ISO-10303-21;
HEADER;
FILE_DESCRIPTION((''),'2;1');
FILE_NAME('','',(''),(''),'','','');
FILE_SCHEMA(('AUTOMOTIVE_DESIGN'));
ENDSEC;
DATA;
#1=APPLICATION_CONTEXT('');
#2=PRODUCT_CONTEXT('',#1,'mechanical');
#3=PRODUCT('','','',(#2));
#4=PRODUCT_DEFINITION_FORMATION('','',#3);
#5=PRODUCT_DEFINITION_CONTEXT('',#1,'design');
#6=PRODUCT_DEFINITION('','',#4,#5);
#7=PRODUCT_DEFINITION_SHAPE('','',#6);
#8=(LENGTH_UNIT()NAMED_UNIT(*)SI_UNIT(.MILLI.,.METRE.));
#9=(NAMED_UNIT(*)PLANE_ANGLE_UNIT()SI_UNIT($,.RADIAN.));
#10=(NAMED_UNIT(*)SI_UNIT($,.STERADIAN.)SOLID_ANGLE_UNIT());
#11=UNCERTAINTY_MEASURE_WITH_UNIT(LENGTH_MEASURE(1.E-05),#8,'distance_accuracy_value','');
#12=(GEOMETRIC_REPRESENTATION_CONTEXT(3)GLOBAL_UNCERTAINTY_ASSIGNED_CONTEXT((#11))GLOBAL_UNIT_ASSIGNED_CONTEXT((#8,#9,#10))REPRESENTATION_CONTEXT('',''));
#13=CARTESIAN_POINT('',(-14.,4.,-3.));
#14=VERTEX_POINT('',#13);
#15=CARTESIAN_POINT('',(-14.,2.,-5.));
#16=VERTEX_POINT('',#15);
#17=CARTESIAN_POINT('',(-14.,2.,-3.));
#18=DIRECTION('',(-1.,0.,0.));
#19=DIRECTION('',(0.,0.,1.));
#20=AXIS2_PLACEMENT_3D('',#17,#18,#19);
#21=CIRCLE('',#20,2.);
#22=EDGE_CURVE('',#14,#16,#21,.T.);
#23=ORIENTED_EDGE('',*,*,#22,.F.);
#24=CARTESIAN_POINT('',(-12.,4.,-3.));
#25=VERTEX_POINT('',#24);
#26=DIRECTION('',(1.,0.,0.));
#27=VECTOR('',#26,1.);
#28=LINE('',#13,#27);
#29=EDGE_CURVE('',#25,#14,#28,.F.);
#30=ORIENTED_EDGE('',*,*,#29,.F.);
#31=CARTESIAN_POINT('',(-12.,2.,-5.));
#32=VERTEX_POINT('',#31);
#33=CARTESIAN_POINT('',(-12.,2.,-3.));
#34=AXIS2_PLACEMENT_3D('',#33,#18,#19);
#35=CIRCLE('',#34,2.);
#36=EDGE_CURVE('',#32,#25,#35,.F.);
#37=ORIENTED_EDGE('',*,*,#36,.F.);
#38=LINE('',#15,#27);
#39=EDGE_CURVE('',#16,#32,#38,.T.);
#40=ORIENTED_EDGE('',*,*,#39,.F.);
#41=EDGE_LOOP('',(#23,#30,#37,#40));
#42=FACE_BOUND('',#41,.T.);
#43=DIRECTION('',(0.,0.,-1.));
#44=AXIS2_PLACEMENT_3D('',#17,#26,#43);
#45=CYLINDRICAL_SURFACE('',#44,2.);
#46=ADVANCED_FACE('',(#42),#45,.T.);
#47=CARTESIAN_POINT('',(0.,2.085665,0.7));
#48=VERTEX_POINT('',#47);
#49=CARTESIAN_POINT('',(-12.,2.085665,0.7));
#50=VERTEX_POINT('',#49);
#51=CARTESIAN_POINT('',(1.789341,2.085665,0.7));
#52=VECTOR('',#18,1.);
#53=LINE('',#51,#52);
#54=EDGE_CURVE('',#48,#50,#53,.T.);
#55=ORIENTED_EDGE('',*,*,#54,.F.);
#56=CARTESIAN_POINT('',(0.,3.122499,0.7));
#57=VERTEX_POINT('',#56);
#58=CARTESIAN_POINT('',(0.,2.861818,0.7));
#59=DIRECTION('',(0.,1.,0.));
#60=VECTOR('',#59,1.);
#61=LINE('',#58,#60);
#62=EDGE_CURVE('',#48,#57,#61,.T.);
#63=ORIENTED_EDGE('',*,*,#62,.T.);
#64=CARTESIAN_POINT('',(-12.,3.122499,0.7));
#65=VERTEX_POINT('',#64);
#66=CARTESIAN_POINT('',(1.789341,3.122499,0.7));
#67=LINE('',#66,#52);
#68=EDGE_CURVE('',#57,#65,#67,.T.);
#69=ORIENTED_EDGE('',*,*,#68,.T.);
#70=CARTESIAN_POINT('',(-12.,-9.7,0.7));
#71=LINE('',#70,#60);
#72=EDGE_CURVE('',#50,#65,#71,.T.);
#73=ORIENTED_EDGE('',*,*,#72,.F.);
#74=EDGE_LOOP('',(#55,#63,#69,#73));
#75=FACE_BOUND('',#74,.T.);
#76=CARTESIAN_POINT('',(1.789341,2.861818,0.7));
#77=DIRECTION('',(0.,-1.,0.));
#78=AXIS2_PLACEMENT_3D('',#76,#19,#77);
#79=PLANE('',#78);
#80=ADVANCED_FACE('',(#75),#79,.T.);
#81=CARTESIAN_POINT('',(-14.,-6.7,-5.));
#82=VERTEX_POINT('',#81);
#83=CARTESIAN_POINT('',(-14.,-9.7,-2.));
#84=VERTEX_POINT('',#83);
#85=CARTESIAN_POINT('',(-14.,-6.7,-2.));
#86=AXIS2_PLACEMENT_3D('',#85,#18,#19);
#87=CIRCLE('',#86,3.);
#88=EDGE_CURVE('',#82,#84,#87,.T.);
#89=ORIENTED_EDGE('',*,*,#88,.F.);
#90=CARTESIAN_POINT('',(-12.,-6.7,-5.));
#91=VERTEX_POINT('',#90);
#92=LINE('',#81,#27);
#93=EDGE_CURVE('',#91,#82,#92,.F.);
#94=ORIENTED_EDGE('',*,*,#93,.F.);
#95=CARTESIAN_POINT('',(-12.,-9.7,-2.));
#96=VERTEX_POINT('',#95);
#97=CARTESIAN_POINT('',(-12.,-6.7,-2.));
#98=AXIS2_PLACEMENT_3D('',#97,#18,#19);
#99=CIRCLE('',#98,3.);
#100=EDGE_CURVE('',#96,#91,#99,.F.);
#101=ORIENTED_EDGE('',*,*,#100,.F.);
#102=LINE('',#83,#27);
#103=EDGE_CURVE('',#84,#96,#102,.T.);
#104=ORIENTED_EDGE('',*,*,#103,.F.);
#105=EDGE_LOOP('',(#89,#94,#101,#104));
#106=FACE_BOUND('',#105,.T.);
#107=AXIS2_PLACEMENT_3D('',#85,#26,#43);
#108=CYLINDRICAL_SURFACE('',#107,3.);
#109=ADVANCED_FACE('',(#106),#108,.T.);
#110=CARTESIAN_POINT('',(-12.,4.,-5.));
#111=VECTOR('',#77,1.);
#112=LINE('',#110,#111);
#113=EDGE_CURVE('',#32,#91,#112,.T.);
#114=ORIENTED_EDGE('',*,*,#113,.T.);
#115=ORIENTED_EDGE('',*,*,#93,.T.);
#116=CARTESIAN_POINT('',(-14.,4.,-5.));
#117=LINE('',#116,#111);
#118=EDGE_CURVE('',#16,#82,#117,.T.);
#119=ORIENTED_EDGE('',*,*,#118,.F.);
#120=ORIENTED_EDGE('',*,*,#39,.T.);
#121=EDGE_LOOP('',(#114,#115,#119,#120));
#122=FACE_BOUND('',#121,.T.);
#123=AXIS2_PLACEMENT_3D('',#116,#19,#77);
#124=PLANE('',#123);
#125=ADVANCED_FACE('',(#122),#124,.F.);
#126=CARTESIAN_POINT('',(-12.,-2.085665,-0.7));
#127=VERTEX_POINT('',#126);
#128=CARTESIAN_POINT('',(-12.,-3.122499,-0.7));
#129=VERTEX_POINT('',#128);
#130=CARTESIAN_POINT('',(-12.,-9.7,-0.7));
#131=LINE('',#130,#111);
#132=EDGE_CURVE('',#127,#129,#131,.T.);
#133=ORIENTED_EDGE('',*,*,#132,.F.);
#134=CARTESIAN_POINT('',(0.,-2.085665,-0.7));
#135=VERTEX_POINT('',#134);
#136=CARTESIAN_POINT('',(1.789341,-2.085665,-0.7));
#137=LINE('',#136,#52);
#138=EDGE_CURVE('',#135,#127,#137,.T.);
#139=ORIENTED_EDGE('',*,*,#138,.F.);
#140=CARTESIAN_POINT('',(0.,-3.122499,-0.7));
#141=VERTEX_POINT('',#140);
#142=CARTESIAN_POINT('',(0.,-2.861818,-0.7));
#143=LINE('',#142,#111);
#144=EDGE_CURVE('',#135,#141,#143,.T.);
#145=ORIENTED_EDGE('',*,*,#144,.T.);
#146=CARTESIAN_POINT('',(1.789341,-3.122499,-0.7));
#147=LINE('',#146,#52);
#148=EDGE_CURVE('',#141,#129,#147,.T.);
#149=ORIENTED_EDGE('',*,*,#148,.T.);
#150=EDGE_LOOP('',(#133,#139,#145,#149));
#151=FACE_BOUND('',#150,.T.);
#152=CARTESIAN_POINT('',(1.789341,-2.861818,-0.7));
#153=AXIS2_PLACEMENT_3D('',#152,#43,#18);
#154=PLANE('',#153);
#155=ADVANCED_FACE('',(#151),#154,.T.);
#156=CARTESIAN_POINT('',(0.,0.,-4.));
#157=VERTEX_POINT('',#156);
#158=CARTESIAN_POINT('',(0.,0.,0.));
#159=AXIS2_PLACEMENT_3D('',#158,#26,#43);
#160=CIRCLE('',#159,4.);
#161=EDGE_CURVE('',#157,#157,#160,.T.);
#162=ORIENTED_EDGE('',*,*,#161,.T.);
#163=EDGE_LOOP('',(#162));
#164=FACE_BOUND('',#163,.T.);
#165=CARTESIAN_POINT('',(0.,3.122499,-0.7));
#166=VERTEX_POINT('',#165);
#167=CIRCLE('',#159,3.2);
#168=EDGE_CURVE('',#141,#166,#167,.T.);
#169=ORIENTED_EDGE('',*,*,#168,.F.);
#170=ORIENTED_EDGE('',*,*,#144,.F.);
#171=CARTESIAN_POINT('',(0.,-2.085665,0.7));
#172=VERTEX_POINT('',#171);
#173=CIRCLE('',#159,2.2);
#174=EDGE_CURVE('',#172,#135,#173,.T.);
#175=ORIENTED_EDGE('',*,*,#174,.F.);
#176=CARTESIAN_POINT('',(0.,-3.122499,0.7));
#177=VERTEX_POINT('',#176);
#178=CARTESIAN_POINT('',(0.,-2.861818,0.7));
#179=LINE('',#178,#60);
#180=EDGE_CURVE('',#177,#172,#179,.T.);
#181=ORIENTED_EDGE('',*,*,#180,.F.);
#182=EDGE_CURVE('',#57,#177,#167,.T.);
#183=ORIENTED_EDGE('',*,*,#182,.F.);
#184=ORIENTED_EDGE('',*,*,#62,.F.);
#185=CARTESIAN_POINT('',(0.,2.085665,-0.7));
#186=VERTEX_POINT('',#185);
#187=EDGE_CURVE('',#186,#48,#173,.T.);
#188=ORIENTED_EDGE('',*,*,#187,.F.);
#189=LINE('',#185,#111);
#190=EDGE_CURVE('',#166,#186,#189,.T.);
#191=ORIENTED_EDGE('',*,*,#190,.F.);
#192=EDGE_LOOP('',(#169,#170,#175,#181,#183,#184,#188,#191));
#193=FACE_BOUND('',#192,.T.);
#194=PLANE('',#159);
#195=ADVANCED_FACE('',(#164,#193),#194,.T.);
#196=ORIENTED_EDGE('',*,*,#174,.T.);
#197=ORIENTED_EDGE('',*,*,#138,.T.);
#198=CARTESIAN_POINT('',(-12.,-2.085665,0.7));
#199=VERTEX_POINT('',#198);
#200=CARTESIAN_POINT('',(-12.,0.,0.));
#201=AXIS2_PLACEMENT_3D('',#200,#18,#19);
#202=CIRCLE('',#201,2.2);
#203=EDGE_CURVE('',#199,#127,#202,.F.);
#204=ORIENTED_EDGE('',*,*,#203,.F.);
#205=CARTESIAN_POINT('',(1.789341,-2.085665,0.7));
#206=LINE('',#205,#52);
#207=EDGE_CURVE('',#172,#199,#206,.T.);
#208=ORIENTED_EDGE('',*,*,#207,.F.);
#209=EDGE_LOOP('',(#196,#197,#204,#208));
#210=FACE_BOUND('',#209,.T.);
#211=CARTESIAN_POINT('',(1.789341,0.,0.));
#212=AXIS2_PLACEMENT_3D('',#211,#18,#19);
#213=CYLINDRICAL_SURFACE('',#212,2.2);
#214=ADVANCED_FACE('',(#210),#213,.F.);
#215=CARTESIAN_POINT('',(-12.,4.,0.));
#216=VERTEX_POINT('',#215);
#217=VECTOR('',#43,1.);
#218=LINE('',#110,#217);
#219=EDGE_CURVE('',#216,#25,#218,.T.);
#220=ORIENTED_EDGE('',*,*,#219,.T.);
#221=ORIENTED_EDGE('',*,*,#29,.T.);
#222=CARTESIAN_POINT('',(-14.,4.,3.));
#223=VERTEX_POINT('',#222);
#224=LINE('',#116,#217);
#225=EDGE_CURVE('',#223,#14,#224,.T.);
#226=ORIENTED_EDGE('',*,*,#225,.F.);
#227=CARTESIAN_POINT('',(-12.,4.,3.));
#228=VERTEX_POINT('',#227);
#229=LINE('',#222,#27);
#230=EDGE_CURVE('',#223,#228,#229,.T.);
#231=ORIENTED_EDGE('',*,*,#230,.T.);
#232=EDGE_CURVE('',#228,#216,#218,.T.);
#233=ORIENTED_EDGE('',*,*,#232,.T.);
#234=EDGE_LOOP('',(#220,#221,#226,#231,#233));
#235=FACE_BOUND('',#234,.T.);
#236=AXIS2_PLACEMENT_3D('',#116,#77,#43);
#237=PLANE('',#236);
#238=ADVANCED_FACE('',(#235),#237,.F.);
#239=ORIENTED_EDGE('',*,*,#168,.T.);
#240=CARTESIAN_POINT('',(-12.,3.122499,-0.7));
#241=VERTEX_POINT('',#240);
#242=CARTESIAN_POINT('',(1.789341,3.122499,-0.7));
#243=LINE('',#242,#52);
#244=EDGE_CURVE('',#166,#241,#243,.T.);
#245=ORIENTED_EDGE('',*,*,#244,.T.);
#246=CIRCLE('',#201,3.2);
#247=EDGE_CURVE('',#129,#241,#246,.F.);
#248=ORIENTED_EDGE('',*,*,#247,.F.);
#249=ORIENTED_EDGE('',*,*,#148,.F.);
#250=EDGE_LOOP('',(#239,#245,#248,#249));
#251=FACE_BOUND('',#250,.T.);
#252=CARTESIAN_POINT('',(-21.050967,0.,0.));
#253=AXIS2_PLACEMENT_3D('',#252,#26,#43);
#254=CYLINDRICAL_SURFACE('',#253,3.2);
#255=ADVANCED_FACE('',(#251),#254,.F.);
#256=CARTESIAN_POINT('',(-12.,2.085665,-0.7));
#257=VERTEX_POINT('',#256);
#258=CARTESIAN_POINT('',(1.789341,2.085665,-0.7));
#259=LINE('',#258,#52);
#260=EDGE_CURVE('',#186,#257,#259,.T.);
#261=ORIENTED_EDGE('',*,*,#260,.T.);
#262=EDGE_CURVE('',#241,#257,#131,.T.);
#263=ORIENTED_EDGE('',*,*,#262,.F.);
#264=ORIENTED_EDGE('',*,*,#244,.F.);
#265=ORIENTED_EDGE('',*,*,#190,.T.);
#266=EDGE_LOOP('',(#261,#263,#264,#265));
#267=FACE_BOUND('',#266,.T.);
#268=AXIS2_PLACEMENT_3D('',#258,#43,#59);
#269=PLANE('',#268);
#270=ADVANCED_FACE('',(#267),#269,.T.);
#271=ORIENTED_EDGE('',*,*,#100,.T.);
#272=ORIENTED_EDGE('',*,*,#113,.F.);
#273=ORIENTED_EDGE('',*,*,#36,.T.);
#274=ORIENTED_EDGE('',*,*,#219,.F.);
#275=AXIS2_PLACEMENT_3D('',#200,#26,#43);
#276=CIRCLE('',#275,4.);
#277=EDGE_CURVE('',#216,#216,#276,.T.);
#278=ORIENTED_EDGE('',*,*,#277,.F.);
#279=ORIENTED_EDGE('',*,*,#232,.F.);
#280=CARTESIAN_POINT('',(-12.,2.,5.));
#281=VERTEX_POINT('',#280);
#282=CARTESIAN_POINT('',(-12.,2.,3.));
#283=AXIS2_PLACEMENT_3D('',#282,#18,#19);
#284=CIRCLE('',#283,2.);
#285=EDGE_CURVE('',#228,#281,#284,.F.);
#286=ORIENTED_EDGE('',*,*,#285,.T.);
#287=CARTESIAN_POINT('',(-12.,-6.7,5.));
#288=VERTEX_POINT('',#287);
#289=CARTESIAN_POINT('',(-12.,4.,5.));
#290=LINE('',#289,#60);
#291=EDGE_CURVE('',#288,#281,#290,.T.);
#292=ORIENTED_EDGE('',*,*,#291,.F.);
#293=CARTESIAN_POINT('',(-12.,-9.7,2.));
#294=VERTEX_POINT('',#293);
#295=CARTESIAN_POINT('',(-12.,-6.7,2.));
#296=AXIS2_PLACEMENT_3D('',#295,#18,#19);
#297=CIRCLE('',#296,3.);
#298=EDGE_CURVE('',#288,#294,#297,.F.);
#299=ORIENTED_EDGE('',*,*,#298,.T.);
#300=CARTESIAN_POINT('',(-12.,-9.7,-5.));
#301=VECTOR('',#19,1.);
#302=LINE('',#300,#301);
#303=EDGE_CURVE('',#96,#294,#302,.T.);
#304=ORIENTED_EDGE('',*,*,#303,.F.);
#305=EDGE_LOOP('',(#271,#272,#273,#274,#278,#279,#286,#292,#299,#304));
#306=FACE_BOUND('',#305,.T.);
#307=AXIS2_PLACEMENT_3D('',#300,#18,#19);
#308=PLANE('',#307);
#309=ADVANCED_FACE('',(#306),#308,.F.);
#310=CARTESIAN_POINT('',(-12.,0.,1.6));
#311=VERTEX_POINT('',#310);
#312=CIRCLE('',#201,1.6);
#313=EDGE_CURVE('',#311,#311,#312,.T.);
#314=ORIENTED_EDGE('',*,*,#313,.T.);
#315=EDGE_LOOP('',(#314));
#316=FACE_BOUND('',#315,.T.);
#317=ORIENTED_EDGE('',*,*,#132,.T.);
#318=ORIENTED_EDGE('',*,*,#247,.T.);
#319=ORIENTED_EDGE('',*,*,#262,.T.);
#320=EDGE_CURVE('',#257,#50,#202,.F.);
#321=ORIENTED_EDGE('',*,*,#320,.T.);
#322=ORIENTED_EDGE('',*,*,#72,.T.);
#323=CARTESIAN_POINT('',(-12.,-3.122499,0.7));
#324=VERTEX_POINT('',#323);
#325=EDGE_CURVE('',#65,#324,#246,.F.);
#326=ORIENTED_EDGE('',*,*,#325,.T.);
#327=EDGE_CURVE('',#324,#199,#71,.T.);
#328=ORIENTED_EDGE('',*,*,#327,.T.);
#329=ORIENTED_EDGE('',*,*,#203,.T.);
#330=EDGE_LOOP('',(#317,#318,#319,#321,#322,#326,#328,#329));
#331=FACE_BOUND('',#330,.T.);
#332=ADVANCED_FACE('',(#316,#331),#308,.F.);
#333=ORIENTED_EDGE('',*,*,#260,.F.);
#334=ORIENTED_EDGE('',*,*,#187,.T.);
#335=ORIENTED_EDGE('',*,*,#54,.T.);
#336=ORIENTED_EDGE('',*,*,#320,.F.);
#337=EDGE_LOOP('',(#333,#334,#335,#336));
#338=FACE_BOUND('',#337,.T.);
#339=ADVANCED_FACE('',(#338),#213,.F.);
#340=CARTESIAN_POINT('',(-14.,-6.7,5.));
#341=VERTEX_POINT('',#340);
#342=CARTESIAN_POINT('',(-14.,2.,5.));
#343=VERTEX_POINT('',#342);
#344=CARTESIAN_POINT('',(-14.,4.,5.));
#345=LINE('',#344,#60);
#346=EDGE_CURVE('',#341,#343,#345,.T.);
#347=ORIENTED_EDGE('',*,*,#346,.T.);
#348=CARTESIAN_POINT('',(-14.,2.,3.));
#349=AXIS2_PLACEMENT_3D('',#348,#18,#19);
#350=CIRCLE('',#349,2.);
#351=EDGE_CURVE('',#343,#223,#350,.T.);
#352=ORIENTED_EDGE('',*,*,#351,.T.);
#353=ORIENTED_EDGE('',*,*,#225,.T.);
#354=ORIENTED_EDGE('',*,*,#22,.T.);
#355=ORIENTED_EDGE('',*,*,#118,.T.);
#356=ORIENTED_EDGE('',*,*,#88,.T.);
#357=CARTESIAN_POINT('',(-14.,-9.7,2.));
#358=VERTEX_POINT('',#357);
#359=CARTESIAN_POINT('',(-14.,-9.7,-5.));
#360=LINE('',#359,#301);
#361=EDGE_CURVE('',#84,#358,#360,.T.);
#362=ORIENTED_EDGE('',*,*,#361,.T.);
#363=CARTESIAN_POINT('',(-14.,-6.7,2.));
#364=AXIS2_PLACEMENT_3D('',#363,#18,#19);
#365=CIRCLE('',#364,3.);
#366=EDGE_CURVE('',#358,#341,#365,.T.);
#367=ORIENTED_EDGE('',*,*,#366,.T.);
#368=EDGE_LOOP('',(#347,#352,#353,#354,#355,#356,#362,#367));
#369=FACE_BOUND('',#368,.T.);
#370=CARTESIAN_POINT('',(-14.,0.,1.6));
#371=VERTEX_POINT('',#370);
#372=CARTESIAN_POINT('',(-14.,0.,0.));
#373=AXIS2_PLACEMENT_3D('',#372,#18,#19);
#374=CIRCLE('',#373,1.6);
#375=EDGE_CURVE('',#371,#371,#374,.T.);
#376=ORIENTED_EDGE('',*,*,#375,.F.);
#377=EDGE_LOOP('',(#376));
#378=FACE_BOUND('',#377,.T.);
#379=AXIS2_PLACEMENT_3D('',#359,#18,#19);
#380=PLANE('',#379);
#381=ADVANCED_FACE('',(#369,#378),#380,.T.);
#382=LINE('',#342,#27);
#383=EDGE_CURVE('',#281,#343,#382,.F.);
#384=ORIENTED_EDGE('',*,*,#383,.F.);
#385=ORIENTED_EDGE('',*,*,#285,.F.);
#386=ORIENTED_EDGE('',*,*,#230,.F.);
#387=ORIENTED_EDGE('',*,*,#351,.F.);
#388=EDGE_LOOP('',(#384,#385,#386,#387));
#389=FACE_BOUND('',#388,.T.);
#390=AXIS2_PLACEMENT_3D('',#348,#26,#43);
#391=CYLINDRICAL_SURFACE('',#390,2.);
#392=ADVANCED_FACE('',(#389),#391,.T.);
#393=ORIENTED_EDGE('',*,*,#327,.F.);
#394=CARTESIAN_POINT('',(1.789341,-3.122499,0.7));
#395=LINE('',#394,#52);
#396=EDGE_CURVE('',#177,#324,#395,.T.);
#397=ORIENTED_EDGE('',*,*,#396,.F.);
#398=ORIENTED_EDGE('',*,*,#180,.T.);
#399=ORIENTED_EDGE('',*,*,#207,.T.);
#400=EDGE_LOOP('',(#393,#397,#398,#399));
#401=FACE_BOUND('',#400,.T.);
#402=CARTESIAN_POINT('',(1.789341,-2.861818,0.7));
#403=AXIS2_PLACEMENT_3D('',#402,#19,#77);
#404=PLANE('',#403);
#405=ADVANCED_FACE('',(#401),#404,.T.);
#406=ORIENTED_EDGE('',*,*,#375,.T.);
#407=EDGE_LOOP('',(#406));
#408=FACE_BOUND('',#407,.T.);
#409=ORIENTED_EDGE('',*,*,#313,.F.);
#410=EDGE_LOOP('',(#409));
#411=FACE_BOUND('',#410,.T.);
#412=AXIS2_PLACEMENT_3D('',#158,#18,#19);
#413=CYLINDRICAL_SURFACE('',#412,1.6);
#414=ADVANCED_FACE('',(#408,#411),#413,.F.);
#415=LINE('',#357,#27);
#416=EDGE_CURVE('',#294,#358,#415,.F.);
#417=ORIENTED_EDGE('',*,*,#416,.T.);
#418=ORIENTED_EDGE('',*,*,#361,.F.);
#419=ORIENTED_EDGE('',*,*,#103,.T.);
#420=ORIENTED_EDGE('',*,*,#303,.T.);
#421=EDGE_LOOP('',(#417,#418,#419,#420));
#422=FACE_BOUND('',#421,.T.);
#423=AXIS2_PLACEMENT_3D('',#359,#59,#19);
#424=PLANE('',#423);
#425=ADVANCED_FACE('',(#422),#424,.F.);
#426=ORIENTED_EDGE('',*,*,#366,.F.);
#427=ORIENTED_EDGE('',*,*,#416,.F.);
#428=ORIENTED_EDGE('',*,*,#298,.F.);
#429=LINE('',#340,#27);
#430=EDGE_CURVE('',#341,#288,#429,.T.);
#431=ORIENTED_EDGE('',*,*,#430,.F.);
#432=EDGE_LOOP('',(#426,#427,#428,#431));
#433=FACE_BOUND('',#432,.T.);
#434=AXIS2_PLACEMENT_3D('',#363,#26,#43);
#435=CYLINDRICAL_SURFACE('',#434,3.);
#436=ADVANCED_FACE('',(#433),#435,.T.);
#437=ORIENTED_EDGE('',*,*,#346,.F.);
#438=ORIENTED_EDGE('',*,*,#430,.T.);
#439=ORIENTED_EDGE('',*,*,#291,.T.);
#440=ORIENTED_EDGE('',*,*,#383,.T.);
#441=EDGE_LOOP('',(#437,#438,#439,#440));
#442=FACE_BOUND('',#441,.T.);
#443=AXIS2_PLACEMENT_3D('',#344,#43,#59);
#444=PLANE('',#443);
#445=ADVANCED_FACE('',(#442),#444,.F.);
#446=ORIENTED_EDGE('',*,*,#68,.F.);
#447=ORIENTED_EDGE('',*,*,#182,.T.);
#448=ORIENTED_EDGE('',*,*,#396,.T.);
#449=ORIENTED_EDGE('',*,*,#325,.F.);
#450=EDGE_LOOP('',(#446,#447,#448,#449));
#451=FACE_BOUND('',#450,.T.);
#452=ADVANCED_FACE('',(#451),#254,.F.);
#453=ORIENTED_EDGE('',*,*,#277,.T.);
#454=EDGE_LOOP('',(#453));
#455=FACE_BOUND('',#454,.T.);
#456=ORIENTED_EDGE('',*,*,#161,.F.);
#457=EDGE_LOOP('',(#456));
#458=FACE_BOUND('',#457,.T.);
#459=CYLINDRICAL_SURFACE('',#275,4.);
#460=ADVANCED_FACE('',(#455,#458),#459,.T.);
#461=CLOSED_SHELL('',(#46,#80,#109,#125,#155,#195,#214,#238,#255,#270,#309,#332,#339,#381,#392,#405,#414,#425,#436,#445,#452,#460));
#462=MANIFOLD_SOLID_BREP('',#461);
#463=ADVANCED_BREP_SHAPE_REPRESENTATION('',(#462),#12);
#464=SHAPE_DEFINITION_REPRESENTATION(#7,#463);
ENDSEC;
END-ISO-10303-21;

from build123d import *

# Parameters (mm, degrees)
SKETCH2_R           = 4
BOSS_EXTRUDE1_DEPTH = 12
SKETCH3_W           = 10
SKETCH3_H           = 13.7
BOSS_EXTRUDE2_DEPTH = 2
SKETCH4_R           = 3.2
CUT_EXTRUDE1_DEPTH  = 12
SKETCH7_R           = 1.6
CUT_EXTRUDE4_DEPTH  = 18.750774631
BOSS_EXTRUDE3_START = -14
BOSS_EXTRUDE3_DEPTH = 14
FILLET2_R           = 2
FILLET3_R           = 3


with BuildPart() as part:
    # Sketch2 → Boss-Extrude1 (new body)
    with BuildSketch(Plane(origin=(0, 0, 0), x_dir=(0, 0, -1), z_dir=(1, 0, 0))):
        Circle(SKETCH2_R)
    extrude(amount=-BOSS_EXTRUDE1_DEPTH)

    # Sketch3 → Boss-Extrude2 (add)
    with BuildSketch(Plane.ZY.offset(12)):
        with Locations((0, -2.85)):
            Rectangle(SKETCH3_W, SKETCH3_H)
    extrude(amount=BOSS_EXTRUDE2_DEPTH)

    # Sketch4 → Cut-Extrude1 (cut)
    with BuildSketch(Plane(origin=(0, 0, 0), x_dir=(0, 0, -1), z_dir=(1, 0, 0))):
        Circle(SKETCH4_R)
    extrude(amount=-CUT_EXTRUDE1_DEPTH, mode=Mode.SUBTRACT)

    # Sketch7 → Cut-Extrude4 (cut, through all)
    with BuildSketch(Plane.ZY.offset(14)):
        Circle(SKETCH7_R)
    extrude(amount=-CUT_EXTRUDE4_DEPTH, mode=Mode.SUBTRACT)

    # Sketch6 → Boss-Extrude3 (add)
    with BuildSketch(Plane.ZY.offset(14).offset(BOSS_EXTRUDE3_START)):
        with BuildLine():
            Line((0.7, -2.861817604), (0.7, -2.085665361))
            ThreePointArc((0.7, -2.085665361), (0, -2.2), (-0.7, -2.085665361))
            Line((-0.7, -2.085665361), (-0.7, -2.861817604))
            Line((-0.7, -2.861817604), (-0.7, -3.122498999))
            ThreePointArc((-0.7, -3.122498999), (0, -3.2), (0.7, -3.122498999))
            Line((0.7, -3.122498999), (0.7, -2.861817604))
        make_face()
        with BuildLine():
            Line((-0.7, 2.085665361), (-0.7, 2.861817604))
            Line((-0.7, 2.861817604), (-0.7, 3.122498999))
            ThreePointArc((-0.7, 3.122498999), (0, 3.2), (0.7, 3.122498999))
            Line((0.7, 3.122498999), (0.7, 2.861817604))
            Line((0.7, 2.861817604), (0.7, 2.085665361))
            ThreePointArc((0.7, 2.085665361), (0, 2.2), (-0.7, 2.085665361))
        make_face()
    extrude(amount=BOSS_EXTRUDE3_DEPTH)

    # Fillet2
    fillet2_edges = [part.edges().sort_by_distance(p)[0] for p in [
        (-13, 4, -5),
        (-13, 4, 5),
    ]]
    fillet(fillet2_edges, radius=FILLET2_R)

    # Fillet3
    fillet3_edges = [part.edges().sort_by_distance(p)[0] for p in [
        (-13, -9.7, -5),
        (-13, -9.7, 5),
    ]]
    fillet(fillet3_edges, radius=FILLET3_R)


solid = part.part
